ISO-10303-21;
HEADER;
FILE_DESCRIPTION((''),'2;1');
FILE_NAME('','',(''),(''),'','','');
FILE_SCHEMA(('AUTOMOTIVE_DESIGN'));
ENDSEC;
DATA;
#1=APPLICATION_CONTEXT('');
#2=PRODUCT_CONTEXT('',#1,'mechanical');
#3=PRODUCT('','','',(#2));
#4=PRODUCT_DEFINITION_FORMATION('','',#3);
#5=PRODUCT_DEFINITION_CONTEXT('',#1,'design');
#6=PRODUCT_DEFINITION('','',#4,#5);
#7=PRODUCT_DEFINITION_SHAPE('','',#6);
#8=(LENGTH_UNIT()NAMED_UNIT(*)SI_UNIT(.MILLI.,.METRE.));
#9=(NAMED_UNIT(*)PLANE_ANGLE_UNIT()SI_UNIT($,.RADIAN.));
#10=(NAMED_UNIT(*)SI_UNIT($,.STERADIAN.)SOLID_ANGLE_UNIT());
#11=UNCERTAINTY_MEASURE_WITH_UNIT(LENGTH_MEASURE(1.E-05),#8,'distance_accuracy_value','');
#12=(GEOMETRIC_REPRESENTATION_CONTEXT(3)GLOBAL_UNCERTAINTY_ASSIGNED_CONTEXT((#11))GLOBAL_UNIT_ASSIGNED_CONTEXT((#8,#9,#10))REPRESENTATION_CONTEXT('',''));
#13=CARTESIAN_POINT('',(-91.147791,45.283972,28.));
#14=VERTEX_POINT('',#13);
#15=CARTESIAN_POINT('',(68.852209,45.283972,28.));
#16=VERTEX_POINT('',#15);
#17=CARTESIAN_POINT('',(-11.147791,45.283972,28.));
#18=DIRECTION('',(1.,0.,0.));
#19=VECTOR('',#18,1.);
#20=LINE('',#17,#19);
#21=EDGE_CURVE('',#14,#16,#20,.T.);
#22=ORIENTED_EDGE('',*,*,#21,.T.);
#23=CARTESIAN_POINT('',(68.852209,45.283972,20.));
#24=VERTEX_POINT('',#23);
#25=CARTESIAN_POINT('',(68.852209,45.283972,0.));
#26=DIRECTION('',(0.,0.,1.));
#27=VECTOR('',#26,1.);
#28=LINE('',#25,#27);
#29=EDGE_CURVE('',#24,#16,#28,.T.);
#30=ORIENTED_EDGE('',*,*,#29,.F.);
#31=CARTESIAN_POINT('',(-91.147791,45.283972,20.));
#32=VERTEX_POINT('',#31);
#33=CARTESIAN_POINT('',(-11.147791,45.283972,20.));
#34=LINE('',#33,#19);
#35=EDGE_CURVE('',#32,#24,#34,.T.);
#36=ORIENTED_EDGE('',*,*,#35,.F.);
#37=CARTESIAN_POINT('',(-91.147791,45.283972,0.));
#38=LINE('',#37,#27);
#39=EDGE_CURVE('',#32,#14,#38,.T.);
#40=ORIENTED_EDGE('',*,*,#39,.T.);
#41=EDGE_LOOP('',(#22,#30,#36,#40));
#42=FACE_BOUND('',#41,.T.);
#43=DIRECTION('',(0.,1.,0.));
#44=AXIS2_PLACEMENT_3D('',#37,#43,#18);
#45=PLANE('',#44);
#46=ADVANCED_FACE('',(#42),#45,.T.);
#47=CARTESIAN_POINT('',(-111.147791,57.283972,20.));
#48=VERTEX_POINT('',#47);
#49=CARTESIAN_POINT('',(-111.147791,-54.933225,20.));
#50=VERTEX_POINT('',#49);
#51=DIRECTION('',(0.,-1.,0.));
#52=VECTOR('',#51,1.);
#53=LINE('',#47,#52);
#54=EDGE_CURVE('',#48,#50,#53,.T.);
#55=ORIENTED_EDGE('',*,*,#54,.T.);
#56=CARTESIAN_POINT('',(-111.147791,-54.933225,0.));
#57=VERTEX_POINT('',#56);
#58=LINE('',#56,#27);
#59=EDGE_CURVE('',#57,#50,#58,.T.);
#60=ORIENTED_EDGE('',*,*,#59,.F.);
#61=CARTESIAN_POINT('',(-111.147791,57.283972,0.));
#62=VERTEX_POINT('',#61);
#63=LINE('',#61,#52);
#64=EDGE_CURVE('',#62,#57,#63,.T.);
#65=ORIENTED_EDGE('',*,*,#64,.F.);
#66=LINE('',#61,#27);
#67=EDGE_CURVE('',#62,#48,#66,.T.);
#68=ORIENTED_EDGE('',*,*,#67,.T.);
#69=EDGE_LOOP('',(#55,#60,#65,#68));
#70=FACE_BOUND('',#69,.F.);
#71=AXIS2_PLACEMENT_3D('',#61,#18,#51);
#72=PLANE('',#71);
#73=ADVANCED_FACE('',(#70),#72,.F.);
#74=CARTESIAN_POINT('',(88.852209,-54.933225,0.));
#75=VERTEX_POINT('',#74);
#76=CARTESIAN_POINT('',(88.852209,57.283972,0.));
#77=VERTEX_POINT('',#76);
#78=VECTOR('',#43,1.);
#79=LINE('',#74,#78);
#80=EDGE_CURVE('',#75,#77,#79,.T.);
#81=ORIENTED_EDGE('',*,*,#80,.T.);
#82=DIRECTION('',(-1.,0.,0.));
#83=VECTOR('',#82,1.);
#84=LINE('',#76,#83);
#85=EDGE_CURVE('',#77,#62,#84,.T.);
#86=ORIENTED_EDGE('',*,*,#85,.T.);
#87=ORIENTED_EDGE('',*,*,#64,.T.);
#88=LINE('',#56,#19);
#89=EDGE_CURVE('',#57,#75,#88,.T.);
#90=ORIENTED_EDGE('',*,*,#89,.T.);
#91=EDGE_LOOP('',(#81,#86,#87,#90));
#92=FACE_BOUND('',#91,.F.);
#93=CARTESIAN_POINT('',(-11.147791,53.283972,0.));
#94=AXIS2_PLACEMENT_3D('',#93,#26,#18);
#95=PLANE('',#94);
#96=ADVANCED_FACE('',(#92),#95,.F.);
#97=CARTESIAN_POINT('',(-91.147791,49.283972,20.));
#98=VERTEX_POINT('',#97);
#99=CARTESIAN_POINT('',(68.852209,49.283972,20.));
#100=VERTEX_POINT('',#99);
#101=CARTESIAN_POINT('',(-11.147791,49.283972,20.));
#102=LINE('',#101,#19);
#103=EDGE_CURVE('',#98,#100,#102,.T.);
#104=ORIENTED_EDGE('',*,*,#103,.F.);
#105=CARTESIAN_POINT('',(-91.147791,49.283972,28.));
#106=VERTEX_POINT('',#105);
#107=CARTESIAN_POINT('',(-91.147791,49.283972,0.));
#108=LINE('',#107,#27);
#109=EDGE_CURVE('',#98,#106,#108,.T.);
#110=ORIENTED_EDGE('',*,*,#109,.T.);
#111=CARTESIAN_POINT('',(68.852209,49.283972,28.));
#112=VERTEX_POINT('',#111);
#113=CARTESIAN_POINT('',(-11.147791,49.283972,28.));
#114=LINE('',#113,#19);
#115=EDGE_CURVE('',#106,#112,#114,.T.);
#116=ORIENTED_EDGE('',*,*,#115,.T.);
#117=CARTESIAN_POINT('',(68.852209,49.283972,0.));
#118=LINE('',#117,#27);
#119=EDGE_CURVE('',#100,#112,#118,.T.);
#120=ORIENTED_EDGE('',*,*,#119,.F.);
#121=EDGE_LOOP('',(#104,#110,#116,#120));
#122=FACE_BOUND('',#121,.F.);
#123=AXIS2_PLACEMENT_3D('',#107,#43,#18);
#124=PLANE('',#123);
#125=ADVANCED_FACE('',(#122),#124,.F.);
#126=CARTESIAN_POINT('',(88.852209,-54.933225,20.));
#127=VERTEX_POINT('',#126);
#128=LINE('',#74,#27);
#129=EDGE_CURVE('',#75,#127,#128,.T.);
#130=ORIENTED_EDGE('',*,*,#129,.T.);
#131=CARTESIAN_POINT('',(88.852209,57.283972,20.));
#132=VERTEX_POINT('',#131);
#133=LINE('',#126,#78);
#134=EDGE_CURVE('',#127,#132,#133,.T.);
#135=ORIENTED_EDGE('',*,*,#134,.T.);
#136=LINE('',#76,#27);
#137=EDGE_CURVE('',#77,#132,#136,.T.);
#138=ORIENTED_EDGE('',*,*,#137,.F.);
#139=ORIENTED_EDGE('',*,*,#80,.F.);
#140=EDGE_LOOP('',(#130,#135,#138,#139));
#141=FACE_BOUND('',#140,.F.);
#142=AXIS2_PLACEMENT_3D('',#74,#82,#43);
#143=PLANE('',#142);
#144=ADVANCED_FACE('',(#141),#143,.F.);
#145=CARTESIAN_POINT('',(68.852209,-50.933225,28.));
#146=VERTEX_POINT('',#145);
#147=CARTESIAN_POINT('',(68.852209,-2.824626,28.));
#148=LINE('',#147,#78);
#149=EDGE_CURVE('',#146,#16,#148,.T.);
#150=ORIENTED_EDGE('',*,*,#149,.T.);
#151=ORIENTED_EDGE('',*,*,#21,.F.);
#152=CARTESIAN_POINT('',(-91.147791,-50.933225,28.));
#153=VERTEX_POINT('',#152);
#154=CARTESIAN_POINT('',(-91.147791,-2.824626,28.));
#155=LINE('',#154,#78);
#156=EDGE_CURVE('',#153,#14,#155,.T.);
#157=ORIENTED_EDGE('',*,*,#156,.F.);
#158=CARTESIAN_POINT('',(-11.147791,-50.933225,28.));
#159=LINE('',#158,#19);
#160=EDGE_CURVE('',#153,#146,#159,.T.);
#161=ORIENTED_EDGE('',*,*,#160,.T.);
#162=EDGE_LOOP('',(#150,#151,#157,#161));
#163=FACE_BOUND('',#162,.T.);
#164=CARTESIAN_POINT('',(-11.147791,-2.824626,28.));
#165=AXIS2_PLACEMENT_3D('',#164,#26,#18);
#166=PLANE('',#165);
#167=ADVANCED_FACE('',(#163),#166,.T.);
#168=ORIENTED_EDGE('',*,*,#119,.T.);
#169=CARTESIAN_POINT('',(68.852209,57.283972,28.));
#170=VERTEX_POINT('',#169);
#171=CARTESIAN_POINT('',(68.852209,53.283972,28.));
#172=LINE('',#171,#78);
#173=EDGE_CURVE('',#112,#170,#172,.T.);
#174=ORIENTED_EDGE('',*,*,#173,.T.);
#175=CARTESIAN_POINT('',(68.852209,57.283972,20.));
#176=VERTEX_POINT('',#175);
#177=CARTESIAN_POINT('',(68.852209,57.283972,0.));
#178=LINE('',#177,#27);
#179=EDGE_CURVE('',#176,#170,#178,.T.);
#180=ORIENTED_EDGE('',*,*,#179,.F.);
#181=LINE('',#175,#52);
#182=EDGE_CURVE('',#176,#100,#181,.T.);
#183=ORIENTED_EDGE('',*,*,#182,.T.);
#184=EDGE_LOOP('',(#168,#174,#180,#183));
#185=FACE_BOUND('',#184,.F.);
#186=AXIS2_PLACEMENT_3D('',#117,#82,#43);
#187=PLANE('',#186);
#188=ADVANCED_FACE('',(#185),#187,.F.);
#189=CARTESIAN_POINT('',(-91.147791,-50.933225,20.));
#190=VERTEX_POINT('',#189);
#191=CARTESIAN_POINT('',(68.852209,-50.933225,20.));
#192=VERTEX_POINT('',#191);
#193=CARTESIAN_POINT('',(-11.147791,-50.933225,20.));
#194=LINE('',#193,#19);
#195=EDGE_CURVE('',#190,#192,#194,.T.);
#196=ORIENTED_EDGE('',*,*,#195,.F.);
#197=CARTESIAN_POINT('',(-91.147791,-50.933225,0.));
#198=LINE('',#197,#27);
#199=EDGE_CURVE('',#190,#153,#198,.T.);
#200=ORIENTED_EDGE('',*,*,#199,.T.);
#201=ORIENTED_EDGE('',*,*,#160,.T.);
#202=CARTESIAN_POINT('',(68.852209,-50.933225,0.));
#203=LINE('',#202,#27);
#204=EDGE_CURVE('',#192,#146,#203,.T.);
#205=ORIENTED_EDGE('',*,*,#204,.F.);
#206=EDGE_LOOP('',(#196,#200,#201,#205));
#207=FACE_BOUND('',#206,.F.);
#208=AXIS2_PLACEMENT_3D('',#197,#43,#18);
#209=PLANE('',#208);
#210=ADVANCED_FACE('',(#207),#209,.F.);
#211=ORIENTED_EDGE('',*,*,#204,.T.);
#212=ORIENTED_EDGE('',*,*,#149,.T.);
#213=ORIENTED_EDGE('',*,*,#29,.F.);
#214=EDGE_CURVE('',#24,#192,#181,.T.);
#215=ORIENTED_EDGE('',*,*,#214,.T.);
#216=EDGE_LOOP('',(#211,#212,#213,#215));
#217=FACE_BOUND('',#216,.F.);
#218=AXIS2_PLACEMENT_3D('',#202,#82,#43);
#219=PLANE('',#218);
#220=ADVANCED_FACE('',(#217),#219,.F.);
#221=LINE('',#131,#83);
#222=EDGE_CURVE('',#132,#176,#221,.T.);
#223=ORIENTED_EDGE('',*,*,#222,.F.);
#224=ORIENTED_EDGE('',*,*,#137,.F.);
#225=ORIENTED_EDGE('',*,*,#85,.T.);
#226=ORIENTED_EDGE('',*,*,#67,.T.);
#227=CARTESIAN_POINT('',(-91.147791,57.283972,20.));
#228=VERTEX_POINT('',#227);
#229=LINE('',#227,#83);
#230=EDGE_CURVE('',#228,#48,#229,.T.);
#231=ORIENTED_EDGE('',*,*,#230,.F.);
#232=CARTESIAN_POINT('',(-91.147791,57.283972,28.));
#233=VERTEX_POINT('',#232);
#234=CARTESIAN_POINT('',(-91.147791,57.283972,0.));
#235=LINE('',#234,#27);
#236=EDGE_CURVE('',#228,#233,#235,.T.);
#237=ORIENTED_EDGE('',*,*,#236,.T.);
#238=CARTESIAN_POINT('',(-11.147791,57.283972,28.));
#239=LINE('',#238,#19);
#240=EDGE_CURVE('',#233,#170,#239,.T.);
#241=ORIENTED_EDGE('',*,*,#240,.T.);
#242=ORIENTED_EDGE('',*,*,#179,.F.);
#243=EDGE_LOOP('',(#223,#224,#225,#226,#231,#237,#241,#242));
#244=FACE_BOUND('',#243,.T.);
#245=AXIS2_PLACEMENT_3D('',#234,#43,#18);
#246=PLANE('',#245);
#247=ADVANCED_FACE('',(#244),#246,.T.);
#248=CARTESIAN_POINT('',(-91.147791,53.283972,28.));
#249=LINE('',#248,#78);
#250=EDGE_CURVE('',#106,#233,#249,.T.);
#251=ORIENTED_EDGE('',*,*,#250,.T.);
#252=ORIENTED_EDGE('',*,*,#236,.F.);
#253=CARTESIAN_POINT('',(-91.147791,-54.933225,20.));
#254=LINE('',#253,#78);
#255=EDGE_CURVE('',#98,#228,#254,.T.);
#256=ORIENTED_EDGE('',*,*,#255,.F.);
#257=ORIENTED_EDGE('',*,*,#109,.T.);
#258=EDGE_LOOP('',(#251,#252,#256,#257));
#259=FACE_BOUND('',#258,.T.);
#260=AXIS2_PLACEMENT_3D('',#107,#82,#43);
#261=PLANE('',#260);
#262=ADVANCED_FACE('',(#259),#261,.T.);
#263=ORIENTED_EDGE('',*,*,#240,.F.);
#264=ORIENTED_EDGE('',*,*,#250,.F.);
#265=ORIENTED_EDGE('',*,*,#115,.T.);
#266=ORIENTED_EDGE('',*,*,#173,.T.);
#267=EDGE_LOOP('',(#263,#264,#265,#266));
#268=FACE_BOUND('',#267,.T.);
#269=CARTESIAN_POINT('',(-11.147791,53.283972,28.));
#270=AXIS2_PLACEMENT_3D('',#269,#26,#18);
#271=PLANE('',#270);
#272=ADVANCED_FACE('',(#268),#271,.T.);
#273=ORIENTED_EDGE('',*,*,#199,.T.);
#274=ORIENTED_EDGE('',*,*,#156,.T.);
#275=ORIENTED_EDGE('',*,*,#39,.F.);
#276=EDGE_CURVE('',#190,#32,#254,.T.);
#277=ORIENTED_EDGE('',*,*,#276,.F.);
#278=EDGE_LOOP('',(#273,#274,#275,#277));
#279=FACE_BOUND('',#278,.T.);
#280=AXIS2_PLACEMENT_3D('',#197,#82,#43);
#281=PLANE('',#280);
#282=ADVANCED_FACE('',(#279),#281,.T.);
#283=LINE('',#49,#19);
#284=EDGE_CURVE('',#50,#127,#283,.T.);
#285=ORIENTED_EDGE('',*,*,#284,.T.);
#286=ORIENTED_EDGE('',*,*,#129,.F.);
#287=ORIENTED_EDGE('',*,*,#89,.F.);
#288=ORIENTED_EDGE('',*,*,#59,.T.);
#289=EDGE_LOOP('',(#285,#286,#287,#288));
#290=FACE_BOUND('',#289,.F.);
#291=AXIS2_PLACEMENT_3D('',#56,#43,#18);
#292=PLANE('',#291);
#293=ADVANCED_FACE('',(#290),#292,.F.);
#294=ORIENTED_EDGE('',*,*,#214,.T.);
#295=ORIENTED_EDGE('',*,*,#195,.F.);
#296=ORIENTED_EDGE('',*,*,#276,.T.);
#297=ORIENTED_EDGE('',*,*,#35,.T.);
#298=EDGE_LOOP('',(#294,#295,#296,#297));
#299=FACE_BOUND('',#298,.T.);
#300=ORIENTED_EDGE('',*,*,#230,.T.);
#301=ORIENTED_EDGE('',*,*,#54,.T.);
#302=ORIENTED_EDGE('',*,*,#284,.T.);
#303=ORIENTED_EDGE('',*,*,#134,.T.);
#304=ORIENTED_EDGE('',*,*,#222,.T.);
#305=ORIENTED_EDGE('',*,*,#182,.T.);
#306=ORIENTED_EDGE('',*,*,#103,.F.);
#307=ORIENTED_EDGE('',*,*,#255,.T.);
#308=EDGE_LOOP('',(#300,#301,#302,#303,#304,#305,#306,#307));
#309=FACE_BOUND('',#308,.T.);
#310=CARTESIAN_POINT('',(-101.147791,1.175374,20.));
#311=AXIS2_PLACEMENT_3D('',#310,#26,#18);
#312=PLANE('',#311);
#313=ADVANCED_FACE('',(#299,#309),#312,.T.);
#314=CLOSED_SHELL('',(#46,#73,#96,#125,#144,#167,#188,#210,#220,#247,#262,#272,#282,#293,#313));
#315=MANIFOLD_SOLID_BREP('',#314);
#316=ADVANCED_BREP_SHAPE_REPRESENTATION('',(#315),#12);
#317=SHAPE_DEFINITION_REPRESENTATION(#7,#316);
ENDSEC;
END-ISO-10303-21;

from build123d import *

# Parameters (mm, degrees)
F0_W     = 160
F0_H     = 4
F1_DEPTH = 20
F0_H_2   = 8
F0_H_3   = 96.2171967506
F2_DEPTH = 28


with BuildPart() as f1:
    # F0 (on Top) → F1 (new body)
    with BuildSketch(Plane.XY):
        Polygon((-91.1477909633, 57.2839721679), (-111.1477909633, 57.2839721679), (-111.1477909633, -54.9332245826), (-91.1477909633, -54.9332245826), (-91.1477909633, -50.9332245826), (-91.1477909633, 45.2839721679), (-91.1477909633, 49.2839721679), align=None)
        Polygon((88.8522090367, 57.2839721679), (68.8522090367, 57.2839721679), (68.8522090367, 49.2839721679), (68.8522090367, 45.2839721679), (68.8522090367, -50.9332245826), (68.8522090367, -54.9332245826), (88.8522090367, -54.9332245826), align=None)
        with Locations((-11.1477909633, 47.2839721679)):
            Rectangle(F0_W, F0_H)
        with Locations((-11.1477909633, -52.9332245826)):
            Rectangle(F0_W, F0_H)
    extrude(amount=F1_DEPTH)

    # F0 (on Top) → F2 (join)
    with BuildSketch(Plane.XY):
        with Locations((-11.1477909633, 53.2839721679)):
            Rectangle(F0_W, F0_H_2)
        with Locations((-11.1477909633, -2.8246262074)):
            Rectangle(F0_W, F0_H_3)
    extrude(amount=F2_DEPTH)


solid = f1.part
